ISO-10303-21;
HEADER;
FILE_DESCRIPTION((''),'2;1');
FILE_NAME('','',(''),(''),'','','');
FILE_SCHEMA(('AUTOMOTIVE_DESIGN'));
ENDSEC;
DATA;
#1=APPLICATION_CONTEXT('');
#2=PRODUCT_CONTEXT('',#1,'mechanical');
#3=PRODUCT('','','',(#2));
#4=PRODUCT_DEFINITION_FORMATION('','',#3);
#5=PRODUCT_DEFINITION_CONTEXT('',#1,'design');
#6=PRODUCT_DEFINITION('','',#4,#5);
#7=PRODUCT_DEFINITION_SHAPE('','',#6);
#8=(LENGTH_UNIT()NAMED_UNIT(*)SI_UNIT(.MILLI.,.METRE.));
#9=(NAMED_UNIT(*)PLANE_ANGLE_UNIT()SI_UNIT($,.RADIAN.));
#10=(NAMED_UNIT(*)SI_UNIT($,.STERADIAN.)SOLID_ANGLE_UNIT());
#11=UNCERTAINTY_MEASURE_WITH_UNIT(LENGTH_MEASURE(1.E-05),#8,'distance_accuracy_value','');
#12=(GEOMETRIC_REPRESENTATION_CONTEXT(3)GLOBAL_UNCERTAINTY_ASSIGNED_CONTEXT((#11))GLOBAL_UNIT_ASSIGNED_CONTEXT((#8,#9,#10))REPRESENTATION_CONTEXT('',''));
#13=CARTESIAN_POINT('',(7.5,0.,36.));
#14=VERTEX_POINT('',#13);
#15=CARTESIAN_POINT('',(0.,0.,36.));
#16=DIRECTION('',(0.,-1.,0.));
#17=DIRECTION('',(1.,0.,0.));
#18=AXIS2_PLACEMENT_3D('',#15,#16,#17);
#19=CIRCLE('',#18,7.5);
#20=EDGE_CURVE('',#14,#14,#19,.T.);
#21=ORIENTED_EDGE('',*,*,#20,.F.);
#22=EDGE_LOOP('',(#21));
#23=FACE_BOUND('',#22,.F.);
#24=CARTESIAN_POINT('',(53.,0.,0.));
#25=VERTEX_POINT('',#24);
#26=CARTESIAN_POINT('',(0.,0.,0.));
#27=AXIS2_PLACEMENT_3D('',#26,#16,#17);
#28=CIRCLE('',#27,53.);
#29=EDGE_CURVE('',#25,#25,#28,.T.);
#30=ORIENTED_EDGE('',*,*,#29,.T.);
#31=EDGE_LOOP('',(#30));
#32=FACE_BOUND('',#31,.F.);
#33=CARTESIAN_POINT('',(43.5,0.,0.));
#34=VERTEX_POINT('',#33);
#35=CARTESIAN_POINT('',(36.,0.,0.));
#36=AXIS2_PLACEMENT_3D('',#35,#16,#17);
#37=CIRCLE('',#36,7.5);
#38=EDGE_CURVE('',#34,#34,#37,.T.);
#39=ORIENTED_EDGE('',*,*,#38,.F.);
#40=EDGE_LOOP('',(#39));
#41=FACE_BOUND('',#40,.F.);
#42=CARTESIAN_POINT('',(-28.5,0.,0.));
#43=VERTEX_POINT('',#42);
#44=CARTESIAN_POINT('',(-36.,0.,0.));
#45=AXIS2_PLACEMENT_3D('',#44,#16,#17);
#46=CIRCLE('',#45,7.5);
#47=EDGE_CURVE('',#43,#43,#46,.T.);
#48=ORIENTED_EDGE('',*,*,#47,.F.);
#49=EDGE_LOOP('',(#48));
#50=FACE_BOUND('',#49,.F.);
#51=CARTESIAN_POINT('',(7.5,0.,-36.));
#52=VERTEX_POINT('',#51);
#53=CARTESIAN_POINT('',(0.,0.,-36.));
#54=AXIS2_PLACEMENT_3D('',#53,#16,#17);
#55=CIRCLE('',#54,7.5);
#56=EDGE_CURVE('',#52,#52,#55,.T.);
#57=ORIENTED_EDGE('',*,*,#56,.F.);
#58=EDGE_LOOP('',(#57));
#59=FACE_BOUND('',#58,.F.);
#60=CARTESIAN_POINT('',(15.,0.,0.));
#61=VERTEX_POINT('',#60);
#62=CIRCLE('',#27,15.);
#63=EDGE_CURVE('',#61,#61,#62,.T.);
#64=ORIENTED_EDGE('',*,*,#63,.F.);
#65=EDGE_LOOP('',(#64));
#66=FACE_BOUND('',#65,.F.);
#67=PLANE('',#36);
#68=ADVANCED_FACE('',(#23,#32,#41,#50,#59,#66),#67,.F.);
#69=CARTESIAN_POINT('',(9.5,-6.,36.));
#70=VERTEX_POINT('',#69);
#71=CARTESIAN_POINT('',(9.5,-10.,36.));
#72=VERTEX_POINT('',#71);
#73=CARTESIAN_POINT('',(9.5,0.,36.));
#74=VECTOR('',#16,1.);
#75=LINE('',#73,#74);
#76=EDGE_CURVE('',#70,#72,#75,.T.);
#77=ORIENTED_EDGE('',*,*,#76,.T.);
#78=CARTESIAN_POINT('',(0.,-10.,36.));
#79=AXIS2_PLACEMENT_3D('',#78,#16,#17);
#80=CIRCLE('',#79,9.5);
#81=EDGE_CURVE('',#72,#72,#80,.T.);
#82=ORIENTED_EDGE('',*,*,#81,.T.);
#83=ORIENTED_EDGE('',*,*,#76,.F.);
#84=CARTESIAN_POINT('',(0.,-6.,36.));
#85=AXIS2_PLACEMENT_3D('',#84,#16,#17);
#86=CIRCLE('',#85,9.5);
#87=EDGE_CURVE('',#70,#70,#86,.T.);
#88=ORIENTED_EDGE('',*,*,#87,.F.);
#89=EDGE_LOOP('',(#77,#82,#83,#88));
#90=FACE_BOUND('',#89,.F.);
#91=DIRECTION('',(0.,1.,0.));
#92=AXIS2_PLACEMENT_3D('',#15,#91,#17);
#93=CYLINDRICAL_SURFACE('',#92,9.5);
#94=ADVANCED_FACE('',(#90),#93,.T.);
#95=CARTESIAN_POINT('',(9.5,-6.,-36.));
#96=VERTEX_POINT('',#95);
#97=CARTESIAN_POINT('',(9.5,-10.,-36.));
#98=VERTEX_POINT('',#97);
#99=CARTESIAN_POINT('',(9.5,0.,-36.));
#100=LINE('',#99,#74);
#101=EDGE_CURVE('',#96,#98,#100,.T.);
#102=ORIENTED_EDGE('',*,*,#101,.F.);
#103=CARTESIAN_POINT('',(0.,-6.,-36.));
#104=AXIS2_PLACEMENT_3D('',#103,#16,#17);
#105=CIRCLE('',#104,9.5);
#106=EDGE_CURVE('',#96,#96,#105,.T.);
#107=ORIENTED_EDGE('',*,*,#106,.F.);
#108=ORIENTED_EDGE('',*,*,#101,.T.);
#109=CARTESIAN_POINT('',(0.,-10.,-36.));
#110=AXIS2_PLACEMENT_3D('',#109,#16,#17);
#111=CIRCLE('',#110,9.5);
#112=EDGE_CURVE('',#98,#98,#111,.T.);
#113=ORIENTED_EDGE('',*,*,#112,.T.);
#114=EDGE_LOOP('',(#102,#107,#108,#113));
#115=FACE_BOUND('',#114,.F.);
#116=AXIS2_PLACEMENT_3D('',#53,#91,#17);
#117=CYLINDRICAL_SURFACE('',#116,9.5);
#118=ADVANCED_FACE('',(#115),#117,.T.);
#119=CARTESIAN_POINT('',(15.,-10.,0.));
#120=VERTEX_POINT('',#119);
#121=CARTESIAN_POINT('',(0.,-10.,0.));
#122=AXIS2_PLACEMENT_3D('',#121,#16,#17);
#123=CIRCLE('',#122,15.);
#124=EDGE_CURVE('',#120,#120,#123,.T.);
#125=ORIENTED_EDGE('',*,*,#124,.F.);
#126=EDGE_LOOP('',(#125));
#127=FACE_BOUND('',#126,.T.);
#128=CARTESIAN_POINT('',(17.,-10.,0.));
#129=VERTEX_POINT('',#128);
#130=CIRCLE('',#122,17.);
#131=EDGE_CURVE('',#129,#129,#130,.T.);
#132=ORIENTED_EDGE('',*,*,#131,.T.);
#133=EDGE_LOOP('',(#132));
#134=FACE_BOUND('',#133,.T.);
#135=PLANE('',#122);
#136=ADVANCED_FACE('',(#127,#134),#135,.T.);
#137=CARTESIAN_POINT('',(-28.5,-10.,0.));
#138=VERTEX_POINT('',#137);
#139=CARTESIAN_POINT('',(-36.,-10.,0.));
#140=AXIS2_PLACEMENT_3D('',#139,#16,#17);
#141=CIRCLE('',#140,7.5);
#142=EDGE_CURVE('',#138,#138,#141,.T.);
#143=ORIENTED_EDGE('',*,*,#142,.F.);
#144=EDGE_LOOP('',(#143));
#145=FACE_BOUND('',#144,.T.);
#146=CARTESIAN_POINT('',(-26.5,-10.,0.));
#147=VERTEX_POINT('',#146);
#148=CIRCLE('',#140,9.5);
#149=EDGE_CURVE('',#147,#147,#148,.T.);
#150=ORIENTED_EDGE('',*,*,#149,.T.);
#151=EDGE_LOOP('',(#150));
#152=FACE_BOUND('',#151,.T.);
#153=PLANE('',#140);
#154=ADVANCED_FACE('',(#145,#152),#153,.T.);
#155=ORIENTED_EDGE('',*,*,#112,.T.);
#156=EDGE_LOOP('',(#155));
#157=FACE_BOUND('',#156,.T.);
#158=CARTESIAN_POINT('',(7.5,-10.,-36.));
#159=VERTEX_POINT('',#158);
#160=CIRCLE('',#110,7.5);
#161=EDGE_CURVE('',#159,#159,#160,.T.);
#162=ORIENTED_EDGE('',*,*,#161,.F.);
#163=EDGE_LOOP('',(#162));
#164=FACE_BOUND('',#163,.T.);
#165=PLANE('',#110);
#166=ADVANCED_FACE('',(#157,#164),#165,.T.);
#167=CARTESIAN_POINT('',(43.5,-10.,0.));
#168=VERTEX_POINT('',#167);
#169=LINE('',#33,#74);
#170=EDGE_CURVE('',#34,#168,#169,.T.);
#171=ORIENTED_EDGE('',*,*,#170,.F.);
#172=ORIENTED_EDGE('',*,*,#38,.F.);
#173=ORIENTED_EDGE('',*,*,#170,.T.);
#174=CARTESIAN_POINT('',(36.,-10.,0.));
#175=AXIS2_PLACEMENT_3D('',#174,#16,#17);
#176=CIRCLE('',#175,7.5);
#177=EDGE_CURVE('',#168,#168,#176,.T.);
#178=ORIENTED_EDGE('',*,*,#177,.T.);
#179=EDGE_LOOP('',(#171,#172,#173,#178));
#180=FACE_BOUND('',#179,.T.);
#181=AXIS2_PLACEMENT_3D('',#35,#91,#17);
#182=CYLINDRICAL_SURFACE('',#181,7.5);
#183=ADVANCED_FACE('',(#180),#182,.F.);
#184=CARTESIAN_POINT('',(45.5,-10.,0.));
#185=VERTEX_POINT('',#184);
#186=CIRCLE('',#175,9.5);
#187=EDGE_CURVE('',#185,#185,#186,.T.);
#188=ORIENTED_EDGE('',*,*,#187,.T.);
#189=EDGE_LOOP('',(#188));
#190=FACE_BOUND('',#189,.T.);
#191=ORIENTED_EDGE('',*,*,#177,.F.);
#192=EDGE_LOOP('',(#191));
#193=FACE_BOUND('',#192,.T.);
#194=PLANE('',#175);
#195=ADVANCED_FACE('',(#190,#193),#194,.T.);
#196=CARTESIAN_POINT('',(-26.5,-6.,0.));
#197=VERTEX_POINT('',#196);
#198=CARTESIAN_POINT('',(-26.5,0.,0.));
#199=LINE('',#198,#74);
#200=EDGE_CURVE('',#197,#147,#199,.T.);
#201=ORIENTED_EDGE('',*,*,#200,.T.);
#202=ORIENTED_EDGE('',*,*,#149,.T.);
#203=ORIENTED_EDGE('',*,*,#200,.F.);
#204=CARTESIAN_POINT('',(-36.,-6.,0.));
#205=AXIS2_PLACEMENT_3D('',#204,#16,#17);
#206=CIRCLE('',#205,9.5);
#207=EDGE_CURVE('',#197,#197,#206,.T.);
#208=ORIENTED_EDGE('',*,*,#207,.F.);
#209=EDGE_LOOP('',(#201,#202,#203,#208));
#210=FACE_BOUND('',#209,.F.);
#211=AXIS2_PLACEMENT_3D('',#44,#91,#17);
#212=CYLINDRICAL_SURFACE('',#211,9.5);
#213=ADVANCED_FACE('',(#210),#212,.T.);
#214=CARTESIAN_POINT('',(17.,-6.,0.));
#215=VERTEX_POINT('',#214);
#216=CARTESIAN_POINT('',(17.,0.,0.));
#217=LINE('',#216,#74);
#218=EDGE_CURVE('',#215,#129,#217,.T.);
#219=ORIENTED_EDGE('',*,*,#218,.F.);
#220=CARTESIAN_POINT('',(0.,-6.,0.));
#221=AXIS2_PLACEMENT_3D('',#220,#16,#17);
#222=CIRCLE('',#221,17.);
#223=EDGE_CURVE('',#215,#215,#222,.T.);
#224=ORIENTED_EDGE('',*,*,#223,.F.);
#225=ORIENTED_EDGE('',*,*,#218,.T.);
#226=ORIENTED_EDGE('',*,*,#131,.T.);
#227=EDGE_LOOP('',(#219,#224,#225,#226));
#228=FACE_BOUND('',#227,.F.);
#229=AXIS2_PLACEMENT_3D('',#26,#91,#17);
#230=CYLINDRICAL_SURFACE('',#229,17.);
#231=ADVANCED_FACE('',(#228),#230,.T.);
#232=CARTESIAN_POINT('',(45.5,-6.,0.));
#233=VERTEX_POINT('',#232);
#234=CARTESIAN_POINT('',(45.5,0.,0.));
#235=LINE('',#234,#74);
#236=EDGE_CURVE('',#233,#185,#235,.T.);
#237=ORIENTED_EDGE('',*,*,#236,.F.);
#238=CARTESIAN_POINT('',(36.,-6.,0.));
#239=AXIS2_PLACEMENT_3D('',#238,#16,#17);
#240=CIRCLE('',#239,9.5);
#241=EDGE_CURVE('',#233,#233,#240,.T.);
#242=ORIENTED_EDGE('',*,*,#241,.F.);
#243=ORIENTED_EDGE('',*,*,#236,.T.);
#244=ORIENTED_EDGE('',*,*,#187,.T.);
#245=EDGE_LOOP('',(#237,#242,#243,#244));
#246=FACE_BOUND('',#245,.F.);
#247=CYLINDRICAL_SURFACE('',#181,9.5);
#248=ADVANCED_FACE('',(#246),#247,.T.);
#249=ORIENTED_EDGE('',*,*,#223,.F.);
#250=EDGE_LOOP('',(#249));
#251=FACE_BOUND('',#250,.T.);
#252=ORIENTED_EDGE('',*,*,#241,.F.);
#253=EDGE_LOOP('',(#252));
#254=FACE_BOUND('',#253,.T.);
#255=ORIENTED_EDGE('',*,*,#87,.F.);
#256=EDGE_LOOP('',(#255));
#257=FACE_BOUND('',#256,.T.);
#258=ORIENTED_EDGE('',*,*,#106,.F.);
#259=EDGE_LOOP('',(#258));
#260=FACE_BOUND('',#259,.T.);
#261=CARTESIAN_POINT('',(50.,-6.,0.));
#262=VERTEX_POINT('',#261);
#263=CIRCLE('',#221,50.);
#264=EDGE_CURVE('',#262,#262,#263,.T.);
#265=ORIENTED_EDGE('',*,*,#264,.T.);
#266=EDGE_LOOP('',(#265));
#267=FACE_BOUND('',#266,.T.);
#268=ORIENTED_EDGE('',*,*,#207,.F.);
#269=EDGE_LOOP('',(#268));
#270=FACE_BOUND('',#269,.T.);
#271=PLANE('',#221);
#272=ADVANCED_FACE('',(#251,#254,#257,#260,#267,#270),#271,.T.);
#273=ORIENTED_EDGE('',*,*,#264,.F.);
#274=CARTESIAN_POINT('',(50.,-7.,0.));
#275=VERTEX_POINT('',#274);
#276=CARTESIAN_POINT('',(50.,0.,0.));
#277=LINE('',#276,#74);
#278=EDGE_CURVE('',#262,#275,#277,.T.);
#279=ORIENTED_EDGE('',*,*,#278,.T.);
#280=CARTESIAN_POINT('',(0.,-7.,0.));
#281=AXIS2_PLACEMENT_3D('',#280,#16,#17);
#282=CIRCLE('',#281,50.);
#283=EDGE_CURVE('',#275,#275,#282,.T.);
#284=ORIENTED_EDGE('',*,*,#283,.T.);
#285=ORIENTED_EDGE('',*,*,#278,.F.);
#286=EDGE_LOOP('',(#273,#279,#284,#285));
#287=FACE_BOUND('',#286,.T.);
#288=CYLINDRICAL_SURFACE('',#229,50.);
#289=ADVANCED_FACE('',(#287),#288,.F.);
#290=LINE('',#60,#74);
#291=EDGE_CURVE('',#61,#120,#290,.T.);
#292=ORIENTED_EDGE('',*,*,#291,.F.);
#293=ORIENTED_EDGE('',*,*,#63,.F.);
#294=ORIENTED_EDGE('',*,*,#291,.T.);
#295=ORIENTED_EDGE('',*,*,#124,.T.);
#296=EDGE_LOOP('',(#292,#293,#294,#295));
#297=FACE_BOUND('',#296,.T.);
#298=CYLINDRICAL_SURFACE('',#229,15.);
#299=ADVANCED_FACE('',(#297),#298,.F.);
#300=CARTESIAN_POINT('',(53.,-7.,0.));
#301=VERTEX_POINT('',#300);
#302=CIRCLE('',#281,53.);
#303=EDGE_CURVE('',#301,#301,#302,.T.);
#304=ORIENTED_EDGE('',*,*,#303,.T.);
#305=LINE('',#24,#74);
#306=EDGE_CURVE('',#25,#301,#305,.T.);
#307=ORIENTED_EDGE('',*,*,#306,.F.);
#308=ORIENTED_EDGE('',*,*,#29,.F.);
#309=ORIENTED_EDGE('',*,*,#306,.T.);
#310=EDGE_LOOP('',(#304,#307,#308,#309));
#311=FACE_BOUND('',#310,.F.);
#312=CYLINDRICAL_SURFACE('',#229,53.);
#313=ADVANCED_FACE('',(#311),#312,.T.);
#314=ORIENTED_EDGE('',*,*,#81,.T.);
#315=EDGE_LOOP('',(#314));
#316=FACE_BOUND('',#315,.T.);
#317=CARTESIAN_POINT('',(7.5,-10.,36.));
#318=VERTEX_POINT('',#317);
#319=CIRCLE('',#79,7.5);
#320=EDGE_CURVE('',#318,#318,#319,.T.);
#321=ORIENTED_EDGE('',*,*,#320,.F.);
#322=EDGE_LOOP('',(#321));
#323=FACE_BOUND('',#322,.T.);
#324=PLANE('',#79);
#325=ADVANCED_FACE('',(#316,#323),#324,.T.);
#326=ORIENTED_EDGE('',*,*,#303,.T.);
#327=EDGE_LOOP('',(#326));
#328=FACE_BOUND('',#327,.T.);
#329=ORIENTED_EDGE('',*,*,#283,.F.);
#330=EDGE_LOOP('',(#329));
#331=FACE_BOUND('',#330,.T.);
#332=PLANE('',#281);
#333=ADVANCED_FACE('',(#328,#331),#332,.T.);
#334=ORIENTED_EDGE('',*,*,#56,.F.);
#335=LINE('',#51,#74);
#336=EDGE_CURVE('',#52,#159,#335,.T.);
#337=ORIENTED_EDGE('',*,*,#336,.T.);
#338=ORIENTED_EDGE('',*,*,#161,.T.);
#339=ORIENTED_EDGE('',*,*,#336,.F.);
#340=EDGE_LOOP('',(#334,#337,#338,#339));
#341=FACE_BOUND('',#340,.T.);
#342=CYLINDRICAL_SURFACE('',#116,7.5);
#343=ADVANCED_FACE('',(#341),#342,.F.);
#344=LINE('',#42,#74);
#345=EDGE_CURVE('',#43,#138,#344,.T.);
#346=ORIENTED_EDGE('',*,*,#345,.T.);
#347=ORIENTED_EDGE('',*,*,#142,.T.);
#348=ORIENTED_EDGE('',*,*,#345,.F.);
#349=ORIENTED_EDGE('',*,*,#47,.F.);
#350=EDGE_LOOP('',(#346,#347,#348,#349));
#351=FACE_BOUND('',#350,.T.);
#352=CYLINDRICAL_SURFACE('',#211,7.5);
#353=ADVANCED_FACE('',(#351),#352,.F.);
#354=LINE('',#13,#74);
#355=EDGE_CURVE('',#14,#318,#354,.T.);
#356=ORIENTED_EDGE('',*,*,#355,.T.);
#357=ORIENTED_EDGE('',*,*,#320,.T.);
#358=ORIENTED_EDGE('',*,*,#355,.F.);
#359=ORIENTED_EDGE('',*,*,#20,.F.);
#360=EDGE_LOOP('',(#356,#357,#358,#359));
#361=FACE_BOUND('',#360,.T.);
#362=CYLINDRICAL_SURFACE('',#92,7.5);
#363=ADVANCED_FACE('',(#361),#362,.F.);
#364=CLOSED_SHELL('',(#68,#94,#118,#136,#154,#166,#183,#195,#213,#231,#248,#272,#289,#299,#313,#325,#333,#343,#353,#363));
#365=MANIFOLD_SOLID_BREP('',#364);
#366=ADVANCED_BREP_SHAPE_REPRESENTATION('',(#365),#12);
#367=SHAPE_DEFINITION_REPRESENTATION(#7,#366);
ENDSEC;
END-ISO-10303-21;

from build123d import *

# Parameters (mm, degrees)
F0_R     = 53
F0_R_2   = 50
F1_DEPTH = 7
F0_R_3   = 9.5
F0_R_4   = 17
F2_DEPTH = 6
F0_R_5   = 7.5
F0_R_6   = 15
F3_DEPTH = 10


with BuildPart() as f1:
    # F0 (on Front) → F1 (new body)
    with BuildSketch(Plane.XZ):
        Circle(F0_R)
        Circle(F0_R_2, mode=Mode.SUBTRACT)
    extrude(amount=F1_DEPTH)

    # F0 (on Front) → F2 (join)
    with BuildSketch(Plane.XZ):
        Circle(F0_R_2)
        with Locations((0, -36)):
            Circle(F0_R_3, mode=Mode.SUBTRACT)
        with Locations((-36, 0)):
            Circle(F0_R_3, mode=Mode.SUBTRACT)
        Circle(F0_R_4, mode=Mode.SUBTRACT)
        with Locations((36, 0)):
            Circle(F0_R_3, mode=Mode.SUBTRACT)
        with Locations((0, 36)):
            Circle(F0_R_3, mode=Mode.SUBTRACT)
    extrude(amount=F2_DEPTH)

    # F0 (on Front) → F3 (join)
    with BuildSketch(Plane.XZ):
        with Locations((36, 0)):
            Circle(F0_R_3)
        with Locations((36, 0)):
            Circle(F0_R_5, mode=Mode.SUBTRACT)
        Circle(F0_R_4)
        Circle(F0_R_6, mode=Mode.SUBTRACT)
        with Locations((0, 36)):
            Circle(F0_R_3)
        with Locations((0, 36)):
            Circle(F0_R_5, mode=Mode.SUBTRACT)
        with Locations((-36, 0)):
            Circle(F0_R_3)
        with Locations((-36, 0)):
            Circle(F0_R_5, mode=Mode.SUBTRACT)
        with Locations((0, -36)):
            Circle(F0_R_3)
        with Locations((0, -36)):
            Circle(F0_R_5, mode=Mode.SUBTRACT)
    extrude(amount=F3_DEPTH)


solid = f1.part
